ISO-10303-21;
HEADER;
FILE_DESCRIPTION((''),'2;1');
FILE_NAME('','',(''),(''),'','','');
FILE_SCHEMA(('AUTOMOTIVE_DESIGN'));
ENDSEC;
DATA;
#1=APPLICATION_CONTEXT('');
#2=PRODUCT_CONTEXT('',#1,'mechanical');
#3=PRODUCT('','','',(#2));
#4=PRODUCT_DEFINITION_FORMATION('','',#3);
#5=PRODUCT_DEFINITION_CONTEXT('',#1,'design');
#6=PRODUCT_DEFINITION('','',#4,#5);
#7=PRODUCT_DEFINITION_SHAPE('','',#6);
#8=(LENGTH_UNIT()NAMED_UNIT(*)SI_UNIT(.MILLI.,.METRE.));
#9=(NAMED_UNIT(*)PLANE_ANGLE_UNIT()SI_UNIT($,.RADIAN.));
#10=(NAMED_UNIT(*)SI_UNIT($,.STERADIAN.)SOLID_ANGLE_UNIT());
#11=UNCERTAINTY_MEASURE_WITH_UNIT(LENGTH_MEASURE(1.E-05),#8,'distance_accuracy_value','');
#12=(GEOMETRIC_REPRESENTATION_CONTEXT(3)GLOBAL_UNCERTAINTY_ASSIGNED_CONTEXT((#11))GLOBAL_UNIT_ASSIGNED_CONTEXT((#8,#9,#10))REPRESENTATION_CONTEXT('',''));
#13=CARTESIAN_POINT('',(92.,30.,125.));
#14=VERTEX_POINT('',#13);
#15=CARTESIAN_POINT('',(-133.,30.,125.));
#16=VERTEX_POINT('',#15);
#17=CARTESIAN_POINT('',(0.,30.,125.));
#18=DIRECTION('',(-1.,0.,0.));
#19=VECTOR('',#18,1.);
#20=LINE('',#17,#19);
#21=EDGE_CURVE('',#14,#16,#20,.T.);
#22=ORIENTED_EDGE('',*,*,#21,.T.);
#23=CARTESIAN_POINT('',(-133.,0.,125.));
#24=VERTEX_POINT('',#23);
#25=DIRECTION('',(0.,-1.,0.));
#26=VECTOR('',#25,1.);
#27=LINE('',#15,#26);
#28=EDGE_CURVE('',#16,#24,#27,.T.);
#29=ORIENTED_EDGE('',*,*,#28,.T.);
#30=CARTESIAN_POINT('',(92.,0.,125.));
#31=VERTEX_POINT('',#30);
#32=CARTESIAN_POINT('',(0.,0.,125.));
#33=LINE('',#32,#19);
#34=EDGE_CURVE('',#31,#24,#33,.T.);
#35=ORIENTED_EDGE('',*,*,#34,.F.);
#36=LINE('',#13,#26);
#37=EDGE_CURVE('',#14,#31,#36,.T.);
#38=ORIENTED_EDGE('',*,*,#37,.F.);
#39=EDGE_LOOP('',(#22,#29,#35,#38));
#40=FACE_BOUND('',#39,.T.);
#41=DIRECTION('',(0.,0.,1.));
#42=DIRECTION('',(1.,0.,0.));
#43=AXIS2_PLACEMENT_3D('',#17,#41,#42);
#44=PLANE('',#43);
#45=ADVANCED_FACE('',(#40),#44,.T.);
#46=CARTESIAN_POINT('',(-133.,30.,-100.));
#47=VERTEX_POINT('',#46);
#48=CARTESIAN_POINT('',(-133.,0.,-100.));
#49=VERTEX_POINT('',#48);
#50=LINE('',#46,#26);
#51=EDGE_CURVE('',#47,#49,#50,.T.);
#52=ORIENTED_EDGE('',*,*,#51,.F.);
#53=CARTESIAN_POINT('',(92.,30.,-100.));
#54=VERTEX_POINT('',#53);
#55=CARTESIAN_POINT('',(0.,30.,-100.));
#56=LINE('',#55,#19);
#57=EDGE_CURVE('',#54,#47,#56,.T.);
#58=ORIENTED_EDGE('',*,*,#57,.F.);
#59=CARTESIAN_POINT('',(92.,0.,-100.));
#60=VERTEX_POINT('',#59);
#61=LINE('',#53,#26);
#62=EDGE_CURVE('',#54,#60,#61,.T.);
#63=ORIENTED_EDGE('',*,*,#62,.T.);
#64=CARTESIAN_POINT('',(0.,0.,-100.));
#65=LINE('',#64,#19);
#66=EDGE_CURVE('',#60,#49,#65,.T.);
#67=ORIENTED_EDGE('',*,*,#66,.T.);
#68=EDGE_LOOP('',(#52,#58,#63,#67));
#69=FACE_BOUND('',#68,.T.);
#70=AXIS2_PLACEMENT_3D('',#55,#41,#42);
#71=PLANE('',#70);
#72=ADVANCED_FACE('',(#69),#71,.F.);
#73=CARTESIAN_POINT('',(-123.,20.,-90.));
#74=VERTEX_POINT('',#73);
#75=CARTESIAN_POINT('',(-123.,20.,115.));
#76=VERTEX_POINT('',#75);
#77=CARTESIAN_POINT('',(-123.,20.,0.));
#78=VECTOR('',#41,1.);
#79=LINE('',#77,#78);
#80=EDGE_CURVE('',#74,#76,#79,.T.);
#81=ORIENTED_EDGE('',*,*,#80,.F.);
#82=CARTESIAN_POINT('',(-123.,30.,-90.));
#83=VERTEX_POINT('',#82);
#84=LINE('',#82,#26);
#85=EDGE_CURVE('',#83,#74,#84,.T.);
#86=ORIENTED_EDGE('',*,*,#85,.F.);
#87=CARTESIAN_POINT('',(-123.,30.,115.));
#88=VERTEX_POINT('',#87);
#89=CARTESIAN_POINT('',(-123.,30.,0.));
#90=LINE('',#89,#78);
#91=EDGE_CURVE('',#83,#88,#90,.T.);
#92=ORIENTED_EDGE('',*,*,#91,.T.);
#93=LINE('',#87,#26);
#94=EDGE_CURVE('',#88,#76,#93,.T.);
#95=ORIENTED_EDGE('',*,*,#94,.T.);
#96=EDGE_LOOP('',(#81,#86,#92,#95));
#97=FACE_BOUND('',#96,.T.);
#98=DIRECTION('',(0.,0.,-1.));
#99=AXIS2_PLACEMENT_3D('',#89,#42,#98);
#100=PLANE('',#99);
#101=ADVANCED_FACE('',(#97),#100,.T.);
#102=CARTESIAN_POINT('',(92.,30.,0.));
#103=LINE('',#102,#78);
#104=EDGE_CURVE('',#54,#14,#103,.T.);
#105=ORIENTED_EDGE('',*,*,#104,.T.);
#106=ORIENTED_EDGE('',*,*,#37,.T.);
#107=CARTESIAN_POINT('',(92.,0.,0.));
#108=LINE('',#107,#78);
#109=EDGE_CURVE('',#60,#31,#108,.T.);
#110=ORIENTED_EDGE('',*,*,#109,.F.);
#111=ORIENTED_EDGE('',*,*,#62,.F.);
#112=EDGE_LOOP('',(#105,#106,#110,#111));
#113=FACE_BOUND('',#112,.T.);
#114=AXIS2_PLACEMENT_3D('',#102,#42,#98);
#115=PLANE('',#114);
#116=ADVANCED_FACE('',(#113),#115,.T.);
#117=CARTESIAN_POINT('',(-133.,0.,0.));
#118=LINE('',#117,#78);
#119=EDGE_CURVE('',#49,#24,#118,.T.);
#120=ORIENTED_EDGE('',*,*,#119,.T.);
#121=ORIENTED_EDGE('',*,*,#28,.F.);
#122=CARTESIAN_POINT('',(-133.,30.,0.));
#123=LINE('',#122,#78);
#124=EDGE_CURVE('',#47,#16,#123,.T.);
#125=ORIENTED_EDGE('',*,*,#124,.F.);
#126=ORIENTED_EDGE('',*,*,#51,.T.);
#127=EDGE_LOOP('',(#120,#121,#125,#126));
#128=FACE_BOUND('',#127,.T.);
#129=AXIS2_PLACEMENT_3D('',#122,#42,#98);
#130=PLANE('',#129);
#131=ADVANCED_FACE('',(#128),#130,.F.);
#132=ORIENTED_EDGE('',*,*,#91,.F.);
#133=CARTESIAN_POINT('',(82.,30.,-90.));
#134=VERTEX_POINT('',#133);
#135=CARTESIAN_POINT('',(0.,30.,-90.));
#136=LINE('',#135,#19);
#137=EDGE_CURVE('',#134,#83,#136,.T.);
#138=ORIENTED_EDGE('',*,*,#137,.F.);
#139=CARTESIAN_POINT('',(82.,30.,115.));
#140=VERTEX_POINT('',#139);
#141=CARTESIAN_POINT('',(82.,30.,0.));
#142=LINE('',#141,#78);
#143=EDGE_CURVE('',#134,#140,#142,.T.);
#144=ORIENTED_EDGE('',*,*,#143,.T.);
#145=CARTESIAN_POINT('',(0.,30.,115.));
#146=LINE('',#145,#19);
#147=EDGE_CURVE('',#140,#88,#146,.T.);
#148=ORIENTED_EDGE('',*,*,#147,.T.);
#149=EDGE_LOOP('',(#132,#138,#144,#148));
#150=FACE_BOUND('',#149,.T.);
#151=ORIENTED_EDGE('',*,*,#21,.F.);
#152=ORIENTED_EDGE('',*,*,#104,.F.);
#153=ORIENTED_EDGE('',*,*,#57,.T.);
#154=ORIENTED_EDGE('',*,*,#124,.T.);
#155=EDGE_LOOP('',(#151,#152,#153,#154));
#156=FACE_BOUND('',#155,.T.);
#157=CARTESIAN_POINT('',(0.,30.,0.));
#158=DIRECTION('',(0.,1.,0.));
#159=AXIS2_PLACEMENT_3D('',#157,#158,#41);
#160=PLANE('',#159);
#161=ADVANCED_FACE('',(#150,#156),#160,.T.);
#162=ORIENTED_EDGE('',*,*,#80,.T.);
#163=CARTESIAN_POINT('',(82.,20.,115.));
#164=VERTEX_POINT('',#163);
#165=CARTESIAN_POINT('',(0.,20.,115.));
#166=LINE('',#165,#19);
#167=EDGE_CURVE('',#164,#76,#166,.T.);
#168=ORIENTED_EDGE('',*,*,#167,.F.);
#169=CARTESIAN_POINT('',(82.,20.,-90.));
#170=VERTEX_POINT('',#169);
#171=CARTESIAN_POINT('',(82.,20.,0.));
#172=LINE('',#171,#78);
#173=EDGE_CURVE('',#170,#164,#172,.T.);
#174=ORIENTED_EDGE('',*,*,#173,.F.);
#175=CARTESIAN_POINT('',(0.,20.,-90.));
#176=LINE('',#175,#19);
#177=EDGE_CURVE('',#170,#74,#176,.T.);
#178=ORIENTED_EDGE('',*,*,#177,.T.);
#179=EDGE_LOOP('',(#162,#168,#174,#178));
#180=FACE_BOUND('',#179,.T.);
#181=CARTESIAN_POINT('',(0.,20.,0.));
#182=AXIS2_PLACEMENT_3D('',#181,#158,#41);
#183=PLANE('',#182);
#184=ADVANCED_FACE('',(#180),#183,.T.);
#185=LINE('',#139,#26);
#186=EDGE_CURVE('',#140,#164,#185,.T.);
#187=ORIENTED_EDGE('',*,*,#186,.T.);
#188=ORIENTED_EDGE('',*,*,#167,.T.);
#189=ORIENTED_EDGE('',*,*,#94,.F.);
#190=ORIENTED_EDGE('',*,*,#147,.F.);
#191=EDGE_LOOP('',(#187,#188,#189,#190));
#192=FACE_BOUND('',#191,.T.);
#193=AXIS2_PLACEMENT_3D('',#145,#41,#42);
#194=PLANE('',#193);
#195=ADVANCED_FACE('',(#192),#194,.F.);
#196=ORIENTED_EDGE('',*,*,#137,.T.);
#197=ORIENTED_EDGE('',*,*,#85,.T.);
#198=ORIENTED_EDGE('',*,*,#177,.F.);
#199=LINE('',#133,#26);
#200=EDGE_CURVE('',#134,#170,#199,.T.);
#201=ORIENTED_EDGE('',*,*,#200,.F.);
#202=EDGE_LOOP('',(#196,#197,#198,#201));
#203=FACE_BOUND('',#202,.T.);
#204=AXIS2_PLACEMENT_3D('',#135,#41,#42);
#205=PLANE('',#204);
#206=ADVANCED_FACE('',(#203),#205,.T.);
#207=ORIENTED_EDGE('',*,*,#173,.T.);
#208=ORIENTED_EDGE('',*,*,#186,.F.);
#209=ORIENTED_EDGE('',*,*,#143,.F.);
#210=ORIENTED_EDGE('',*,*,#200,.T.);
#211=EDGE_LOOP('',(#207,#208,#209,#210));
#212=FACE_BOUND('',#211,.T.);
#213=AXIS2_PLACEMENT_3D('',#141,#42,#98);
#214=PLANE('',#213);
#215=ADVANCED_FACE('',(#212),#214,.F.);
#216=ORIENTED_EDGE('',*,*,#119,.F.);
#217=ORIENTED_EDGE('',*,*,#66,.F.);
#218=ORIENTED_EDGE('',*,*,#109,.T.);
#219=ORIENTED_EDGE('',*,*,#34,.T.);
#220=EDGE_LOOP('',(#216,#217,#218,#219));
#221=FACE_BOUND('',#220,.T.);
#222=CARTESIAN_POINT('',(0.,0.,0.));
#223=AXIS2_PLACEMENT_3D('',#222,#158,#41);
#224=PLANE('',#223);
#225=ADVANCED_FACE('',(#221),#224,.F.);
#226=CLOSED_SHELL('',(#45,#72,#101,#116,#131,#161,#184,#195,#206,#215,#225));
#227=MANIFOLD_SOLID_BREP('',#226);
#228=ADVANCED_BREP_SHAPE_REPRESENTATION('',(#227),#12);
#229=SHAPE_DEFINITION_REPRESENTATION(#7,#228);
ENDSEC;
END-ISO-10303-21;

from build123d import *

# Parameters (mm, degrees)
SKETCH1_W           = 225
SKETCH1_H           = 225
SKETCH1_W_2         = 205
SKETCH1_H_2         = 205
WALLS_DEPTH         = 30
SKETCH1_5_W         = 205
SKETCH1_5_H         = 205
BOSS_EXTRUDE2_DEPTH = 20


with BuildPart() as part:
    # Sketch1 → Walls (new body)
    with BuildSketch(Plane(origin=(0, 0, 0), x_dir=(1, 0, 0), z_dir=(0, 1, 0))):
        with Locations((-20.5, -12.5)):
            Rectangle(SKETCH1_W, SKETCH1_H)
        with Locations((-20.5, -12.5)):
            Rectangle(SKETCH1_W_2, SKETCH1_H_2, mode=Mode.SUBTRACT)
    extrude(amount=WALLS_DEPTH)

    # Sketch1<5> → Boss-Extrude2 (add)
    with BuildSketch(Plane(origin=(0, 0, 0), x_dir=(1, 0, 0), z_dir=(0, 1, 0))):
        with Locations((-20.5, -12.5)):
            Rectangle(SKETCH1_5_W, SKETCH1_5_H)
    extrude(amount=BOSS_EXTRUDE2_DEPTH)


solid = part.part
